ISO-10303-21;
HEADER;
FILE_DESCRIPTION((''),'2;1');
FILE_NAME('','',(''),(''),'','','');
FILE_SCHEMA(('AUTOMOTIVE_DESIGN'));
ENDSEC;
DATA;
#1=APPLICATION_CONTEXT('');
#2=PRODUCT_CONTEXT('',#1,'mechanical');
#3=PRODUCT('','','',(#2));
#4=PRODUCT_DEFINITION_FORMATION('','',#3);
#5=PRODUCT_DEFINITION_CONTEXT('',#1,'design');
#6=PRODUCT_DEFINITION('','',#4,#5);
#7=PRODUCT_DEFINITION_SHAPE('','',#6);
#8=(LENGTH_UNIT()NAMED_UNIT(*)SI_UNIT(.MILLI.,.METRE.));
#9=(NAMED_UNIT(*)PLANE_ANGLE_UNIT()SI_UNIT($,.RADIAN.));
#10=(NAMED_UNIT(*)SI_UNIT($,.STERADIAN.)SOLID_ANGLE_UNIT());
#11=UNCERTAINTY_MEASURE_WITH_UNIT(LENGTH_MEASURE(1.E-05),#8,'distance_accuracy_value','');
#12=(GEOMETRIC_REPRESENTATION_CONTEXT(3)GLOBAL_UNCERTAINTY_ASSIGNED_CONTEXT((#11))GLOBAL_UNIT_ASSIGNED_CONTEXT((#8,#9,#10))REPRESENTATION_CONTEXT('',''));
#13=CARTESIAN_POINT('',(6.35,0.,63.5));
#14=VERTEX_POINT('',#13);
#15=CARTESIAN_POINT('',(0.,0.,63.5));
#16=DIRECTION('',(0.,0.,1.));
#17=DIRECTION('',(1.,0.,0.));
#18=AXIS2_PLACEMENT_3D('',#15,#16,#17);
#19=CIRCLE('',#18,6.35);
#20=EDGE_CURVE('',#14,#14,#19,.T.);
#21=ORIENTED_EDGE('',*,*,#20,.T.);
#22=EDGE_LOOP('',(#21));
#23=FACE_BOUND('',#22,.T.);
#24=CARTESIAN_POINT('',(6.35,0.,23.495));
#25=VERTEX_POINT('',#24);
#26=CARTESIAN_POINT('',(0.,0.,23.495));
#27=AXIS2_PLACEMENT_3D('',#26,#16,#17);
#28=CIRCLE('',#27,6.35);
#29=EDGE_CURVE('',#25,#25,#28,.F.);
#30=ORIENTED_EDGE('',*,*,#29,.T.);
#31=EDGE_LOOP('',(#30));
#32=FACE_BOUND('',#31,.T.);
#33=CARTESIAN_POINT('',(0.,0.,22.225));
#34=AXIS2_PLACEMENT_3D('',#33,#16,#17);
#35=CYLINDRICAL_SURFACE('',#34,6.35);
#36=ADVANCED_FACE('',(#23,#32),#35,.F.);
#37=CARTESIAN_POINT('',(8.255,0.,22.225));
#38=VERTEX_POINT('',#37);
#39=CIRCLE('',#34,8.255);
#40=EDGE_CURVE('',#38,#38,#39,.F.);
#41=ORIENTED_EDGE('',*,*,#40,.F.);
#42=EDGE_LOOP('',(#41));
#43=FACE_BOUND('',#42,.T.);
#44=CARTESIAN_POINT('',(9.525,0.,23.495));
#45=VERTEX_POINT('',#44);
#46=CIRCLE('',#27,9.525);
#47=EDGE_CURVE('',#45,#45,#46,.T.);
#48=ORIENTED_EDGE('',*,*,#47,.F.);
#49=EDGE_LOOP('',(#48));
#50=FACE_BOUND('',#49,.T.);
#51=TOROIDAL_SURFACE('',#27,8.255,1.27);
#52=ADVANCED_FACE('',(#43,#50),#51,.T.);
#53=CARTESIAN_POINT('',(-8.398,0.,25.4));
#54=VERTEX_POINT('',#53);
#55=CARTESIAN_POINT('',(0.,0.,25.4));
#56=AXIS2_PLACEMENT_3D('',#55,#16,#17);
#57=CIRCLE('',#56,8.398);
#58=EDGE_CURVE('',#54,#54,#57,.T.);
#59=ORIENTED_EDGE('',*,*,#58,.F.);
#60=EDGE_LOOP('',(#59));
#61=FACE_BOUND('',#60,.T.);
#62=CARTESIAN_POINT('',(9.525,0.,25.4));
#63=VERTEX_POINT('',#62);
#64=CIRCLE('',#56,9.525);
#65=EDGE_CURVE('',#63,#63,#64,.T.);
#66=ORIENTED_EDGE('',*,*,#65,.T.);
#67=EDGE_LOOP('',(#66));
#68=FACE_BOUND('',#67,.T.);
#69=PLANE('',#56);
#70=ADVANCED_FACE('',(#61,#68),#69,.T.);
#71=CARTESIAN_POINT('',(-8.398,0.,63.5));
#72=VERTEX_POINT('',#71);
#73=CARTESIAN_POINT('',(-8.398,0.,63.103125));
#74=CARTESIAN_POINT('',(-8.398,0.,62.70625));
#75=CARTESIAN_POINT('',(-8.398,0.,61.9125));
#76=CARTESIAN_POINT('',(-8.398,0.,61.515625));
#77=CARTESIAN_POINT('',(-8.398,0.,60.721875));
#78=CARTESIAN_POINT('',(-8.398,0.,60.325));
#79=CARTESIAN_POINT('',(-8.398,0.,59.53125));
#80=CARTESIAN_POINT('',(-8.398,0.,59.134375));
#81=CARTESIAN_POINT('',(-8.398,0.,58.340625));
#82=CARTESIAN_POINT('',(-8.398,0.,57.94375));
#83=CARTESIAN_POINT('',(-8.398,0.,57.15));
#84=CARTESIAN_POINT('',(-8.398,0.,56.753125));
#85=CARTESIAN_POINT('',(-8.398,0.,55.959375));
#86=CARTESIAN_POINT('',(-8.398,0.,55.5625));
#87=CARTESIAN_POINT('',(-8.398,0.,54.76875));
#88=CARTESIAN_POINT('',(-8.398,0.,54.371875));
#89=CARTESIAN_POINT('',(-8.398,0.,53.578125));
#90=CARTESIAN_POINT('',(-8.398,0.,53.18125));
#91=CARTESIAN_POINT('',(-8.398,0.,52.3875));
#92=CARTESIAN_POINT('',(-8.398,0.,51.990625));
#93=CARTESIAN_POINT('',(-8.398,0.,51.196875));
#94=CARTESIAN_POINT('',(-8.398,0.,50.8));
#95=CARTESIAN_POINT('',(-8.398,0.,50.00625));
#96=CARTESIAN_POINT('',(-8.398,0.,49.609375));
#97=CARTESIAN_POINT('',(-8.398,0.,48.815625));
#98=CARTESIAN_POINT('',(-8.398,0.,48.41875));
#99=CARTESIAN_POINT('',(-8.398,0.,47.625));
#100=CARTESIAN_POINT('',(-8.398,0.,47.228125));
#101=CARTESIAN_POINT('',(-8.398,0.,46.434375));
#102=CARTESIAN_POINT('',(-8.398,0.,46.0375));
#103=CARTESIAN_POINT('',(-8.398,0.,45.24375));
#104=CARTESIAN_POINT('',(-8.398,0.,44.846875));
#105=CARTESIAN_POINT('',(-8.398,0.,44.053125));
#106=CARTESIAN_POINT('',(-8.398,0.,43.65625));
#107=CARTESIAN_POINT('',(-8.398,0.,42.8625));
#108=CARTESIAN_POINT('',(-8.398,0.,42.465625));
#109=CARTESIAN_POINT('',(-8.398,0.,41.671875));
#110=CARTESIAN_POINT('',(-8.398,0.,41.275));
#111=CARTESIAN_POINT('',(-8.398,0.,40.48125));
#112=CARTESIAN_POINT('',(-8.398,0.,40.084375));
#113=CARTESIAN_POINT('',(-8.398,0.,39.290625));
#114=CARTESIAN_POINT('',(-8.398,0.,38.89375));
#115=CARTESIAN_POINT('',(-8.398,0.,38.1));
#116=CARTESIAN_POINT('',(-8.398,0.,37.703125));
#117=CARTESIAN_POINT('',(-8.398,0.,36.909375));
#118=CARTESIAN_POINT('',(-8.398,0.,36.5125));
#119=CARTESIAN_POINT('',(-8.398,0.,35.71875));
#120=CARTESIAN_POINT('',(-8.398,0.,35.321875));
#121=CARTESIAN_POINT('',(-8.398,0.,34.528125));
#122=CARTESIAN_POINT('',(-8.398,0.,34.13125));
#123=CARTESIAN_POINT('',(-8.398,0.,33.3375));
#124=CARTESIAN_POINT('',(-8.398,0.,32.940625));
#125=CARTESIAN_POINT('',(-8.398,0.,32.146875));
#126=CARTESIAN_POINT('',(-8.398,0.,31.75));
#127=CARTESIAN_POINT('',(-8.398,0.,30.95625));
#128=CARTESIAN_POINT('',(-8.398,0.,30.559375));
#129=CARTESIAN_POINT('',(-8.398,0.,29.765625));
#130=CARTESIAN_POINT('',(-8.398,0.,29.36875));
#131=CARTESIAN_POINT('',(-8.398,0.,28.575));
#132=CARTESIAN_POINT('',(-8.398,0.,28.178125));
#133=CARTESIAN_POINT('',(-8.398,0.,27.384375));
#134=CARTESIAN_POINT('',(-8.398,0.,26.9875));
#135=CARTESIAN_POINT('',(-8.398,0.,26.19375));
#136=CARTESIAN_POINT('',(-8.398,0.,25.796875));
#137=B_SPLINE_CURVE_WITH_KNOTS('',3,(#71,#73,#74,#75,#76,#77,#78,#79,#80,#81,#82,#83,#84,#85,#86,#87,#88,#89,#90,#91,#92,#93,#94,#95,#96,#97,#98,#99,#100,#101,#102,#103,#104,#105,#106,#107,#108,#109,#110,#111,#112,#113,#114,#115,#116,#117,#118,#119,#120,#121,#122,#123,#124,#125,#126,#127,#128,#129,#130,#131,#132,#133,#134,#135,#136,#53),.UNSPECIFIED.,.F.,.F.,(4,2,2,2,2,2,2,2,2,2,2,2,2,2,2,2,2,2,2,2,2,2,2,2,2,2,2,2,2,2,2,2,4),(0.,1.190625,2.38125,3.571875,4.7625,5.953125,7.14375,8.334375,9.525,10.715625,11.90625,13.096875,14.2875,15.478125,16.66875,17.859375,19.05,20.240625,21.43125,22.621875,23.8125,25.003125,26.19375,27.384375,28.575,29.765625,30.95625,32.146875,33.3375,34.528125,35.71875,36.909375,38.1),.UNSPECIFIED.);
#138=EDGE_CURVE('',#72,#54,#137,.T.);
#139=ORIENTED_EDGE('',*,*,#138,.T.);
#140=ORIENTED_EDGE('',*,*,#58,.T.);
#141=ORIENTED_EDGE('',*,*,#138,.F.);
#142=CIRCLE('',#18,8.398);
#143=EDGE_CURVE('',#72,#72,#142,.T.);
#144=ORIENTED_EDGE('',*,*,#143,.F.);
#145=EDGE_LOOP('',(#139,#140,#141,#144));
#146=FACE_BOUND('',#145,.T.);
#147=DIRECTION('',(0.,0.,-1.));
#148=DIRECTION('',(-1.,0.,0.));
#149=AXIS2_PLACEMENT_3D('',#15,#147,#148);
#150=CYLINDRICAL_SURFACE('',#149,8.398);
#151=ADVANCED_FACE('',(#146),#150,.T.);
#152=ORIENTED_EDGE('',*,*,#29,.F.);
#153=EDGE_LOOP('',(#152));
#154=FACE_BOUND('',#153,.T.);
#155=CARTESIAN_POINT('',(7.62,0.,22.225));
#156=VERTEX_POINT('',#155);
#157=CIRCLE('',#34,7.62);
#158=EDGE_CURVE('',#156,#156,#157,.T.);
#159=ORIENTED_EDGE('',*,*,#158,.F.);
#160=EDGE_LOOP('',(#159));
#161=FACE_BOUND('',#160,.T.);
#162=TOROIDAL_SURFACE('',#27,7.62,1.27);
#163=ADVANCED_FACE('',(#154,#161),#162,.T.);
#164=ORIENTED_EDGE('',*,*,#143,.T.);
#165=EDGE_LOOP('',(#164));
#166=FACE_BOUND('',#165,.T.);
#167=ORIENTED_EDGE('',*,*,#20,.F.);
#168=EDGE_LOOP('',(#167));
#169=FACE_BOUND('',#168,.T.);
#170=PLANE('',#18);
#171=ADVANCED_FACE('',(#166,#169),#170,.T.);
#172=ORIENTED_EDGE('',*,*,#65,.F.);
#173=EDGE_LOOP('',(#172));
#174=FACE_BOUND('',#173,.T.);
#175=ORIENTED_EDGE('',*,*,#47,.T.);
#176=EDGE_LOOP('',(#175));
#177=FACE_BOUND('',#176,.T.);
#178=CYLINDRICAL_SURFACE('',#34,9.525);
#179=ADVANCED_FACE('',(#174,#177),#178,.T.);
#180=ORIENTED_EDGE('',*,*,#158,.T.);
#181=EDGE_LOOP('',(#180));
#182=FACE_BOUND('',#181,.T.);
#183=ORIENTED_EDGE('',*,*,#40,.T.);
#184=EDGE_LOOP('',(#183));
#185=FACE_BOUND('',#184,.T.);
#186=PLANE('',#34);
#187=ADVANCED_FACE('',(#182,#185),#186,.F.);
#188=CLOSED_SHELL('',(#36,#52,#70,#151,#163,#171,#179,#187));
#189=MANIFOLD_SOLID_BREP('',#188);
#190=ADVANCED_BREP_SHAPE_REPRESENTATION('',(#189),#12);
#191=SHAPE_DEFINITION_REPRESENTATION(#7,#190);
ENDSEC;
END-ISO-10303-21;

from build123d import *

# Parameters (mm, degrees)
SKETCH2_R               = 8.398
BOSS_EXTRUDE3_DEPTH     = 38.1
SKETCH2_3_R             = 9.525
BOSS_EXTRUDE4_DEPTH     = 3.175
CUT_EXTRUDE1_DEPTH      = 41.411152545
CUT_EXTRUDE1_DEPTH_BACK = 41.411152545
SKETCH3_R               = 6.35
FILLET1_R               = 1.27


with BuildPart() as part:
    # Sketch2 → Boss-Extrude3 (new body)
    with BuildSketch(Plane.XY.offset(25.4)):
        Circle(SKETCH2_R)
    extrude(amount=BOSS_EXTRUDE3_DEPTH)


with BuildPart() as body_2:
    # Sketch2<3> → Boss-Extrude4 (new body)
    with BuildSketch(Plane.XY.offset(25.4)):
        Circle(SKETCH2_3_R)
    extrude(amount=-BOSS_EXTRUDE4_DEPTH)


with BuildPart() as cut_extrude1_tool:
    # Sketch3 → Cut-Extrude1 (new, two sides: drawn at the far end of the back side and taken through both)
    with BuildSketch(Plane.XY.offset(25.4).offset(-CUT_EXTRUDE1_DEPTH_BACK)):
        Circle(SKETCH3_R)
    extrude(amount=CUT_EXTRUDE1_DEPTH + CUT_EXTRUDE1_DEPTH_BACK)


with BuildPart() as part_1:
    add(part.part)

    # Cut-Extrude1: cut by cut_extrude1_tool
    add(cut_extrude1_tool.part, mode=Mode.SUBTRACT)


with BuildPart() as body_2_1:
    add(body_2.part)

    # Cut-Extrude1: cut by cut_extrude1_tool
    add(cut_extrude1_tool.part, mode=Mode.SUBTRACT)

    # Combine1: union part
    add(part_1.part)

    # Fillet1
    fillet1_edges = [body_2_1.edges().sort_by_distance(p)[0] for p in [
        (-9.525, 0, 22.225),
        (-6.35, 0, 22.225),
    ]]
    fillet(fillet1_edges, radius=FILLET1_R)


solid = body_2_1.part
